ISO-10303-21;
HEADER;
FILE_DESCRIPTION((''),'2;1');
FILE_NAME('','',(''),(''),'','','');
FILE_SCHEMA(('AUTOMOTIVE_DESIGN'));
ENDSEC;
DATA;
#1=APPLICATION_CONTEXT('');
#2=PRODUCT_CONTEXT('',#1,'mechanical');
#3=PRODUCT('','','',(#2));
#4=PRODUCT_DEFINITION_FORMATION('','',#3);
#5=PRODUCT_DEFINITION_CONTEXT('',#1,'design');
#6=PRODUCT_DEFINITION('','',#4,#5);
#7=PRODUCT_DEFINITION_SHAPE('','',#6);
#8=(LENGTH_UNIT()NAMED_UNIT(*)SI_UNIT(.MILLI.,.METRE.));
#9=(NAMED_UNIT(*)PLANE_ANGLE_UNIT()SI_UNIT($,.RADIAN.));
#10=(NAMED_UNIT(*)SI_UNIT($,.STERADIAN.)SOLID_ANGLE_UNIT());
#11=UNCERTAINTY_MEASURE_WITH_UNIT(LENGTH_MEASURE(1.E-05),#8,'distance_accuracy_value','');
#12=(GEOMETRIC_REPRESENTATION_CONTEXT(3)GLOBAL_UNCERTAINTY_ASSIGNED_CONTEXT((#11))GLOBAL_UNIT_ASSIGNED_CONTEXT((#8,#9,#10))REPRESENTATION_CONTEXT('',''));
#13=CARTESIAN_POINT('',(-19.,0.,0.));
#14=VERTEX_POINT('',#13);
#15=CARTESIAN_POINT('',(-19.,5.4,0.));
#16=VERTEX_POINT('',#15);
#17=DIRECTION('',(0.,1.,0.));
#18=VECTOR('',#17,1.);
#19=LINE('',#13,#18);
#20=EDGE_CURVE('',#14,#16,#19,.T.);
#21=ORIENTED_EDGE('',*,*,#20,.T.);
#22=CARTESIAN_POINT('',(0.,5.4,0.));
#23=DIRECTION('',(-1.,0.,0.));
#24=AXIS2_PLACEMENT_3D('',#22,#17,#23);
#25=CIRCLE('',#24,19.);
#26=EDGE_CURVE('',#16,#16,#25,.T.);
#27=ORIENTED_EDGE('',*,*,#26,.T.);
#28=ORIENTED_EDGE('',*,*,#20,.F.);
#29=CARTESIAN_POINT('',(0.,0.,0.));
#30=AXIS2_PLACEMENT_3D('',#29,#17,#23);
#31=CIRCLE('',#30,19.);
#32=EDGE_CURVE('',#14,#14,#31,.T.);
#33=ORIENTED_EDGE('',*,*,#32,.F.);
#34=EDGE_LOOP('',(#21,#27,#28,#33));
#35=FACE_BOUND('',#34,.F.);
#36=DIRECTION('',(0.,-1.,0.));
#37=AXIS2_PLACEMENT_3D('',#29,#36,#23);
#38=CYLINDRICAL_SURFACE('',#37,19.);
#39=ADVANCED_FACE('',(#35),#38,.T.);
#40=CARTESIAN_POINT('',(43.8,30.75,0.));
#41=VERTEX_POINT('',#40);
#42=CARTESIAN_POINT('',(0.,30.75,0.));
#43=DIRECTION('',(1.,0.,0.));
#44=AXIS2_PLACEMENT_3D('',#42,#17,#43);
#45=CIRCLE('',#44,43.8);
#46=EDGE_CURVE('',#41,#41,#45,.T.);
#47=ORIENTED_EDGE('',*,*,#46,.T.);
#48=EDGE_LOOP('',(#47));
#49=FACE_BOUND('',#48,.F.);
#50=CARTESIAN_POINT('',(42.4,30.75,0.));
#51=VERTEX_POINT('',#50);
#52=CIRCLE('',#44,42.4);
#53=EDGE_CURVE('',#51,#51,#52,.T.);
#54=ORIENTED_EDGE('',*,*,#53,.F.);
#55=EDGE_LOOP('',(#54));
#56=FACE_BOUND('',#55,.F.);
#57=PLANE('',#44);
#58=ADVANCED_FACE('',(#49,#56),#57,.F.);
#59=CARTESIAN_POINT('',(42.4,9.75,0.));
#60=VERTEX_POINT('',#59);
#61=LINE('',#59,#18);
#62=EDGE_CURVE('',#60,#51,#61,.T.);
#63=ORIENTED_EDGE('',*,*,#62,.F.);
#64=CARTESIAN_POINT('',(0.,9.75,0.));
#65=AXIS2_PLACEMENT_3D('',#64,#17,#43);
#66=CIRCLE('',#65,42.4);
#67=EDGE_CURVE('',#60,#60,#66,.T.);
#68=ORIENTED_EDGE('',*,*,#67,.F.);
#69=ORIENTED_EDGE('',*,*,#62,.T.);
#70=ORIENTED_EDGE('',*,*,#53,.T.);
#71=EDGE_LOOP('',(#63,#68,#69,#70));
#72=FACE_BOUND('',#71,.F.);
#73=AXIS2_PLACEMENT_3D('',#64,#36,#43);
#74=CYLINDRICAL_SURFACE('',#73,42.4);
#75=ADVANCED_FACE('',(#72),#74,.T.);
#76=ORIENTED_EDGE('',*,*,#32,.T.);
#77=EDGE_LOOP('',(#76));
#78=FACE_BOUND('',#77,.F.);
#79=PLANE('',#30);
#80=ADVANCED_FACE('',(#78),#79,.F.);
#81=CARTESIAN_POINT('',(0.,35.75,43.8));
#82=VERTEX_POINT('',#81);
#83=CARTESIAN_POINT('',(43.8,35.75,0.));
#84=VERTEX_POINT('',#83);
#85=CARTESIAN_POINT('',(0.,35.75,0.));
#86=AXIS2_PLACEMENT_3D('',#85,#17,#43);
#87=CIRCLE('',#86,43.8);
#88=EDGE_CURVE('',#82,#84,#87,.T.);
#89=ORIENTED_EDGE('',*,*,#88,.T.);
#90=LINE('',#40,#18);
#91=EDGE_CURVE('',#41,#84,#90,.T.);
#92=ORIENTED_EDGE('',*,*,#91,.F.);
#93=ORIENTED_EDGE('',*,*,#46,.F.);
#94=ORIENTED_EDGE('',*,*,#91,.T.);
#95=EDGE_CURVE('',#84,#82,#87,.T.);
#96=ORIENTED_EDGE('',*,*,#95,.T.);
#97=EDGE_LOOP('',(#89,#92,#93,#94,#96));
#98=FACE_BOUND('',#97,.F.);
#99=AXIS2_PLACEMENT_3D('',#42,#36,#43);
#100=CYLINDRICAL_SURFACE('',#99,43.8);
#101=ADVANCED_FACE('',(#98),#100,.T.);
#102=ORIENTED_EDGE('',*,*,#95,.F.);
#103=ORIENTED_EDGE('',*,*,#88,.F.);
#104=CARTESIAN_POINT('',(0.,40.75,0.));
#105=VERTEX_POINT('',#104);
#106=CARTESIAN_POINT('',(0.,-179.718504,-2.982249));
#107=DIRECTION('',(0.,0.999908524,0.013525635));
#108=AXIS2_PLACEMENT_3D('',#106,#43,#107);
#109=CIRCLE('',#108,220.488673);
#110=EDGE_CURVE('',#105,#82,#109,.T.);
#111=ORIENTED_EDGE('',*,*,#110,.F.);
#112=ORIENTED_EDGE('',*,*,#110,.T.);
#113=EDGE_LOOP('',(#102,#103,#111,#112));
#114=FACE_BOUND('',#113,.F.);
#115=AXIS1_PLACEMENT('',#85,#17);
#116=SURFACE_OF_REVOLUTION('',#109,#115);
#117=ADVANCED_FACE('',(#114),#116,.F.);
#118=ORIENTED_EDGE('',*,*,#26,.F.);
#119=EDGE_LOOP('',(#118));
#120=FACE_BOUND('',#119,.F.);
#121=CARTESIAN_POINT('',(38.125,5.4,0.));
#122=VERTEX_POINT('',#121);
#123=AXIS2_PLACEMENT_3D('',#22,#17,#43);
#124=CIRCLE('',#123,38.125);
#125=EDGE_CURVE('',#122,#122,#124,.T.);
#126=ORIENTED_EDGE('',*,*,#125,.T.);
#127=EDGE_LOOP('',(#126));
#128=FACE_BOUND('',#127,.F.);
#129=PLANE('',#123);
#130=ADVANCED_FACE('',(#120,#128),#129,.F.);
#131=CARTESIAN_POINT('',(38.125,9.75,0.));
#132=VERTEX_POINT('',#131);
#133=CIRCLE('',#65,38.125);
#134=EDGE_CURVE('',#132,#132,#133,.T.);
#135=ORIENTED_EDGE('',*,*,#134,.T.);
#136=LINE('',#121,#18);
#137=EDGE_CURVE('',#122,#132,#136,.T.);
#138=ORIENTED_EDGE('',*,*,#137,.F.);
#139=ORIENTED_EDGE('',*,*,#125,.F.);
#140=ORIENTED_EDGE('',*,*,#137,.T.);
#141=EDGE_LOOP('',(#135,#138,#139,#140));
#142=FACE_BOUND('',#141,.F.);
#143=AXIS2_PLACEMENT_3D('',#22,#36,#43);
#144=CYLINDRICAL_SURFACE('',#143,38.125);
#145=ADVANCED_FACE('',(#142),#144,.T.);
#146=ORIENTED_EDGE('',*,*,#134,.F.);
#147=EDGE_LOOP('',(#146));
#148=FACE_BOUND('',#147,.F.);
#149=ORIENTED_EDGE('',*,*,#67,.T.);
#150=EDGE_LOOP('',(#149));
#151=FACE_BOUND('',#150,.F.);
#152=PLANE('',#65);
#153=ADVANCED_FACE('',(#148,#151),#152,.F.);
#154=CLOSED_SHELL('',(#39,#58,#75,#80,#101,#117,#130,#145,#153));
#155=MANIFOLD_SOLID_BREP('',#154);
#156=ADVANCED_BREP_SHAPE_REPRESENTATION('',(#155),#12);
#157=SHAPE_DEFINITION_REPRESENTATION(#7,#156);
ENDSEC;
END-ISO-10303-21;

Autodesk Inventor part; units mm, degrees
ref_plane "YZ Plane" through (0, 0, 0) normal (1, 0, 0) x (0, 1, 0)
ref_plane "XZ Plane" through (0, 0, 0) normal (0, 1, 0) x (-1, 0, 0)
ref_plane "XY Plane" through (0, 0, 0) normal (0, 0, 1) x (1, 0, 0)
sketch "Sketch1" plane through (0, 0, 0) normal (0, 1, 0) x (-1, 0, 0)
  circle A0 centre (0, 0) radius 19
  dimension "d0" = 38
extrude "Extrusion1" add sketch "Sketch1" along normal blind 5.4
sketch "Sketch2" plane through (0, 5.4, 0) normal (0, 1, 0) x (1, 0, 0)
  circle A0 centre (0, 0) radius 38.125
  dimension "d3" = 76.25
extrude "Extrusion2" add sketch "Sketch2" along normal blind 4.35
sketch "Sketch3" plane through (0, 9.75, 0) normal (0, 1, 0) x (1, 0, 0)
  circle A0 centre (0, 0) radius 42.4
  dimension "d6" = 84.8
extrude "Extrusion3" add sketch "Sketch3" along normal blind 21
sketch "Sketch4" plane through (0, 30.75, 0) normal (0, 1, 0) x (1, 0, 0)
  circle A0 centre (0, 0) radius 43.8
  dimension "d9" = 87.6
extrude "Extrusion4" add sketch "Sketch4" along normal blind 5
sketch "Sketch5" plane through (0, 0, 0) normal (1, 0, 0) x (0, 1, 0)
  line L0 (35.75, -43.8) -> (35.75, 43.8) projected
  line L1 (35.75, -43.8) -> (35.75, 43.8) projected
  line L2 (30.75, -43.8) -> (30.75, 43.8) projected
  line L3 (35.75, -43.8) -> (35.75, 43.8) projected
  line L4 (30.75, -43.8) -> (30.75, 43.8) projected
  line L5 (35.75, 0) -> (40.75, 0)
  arc A0 (40.75, 0) -> (35.75, 43.8) centre (-179.7193, -2.9823) ccw
  line L6 (35.75, 0) -> (35.75, 43.8)
  point P0 (0, 0)
  dimension "d12" = 5
revolve "Revolution1" add sketch "Sketch5" angle 360 about axis through (0, 35.75, 0) along (0, 1, 0)
properties part number "N95 Filter"
